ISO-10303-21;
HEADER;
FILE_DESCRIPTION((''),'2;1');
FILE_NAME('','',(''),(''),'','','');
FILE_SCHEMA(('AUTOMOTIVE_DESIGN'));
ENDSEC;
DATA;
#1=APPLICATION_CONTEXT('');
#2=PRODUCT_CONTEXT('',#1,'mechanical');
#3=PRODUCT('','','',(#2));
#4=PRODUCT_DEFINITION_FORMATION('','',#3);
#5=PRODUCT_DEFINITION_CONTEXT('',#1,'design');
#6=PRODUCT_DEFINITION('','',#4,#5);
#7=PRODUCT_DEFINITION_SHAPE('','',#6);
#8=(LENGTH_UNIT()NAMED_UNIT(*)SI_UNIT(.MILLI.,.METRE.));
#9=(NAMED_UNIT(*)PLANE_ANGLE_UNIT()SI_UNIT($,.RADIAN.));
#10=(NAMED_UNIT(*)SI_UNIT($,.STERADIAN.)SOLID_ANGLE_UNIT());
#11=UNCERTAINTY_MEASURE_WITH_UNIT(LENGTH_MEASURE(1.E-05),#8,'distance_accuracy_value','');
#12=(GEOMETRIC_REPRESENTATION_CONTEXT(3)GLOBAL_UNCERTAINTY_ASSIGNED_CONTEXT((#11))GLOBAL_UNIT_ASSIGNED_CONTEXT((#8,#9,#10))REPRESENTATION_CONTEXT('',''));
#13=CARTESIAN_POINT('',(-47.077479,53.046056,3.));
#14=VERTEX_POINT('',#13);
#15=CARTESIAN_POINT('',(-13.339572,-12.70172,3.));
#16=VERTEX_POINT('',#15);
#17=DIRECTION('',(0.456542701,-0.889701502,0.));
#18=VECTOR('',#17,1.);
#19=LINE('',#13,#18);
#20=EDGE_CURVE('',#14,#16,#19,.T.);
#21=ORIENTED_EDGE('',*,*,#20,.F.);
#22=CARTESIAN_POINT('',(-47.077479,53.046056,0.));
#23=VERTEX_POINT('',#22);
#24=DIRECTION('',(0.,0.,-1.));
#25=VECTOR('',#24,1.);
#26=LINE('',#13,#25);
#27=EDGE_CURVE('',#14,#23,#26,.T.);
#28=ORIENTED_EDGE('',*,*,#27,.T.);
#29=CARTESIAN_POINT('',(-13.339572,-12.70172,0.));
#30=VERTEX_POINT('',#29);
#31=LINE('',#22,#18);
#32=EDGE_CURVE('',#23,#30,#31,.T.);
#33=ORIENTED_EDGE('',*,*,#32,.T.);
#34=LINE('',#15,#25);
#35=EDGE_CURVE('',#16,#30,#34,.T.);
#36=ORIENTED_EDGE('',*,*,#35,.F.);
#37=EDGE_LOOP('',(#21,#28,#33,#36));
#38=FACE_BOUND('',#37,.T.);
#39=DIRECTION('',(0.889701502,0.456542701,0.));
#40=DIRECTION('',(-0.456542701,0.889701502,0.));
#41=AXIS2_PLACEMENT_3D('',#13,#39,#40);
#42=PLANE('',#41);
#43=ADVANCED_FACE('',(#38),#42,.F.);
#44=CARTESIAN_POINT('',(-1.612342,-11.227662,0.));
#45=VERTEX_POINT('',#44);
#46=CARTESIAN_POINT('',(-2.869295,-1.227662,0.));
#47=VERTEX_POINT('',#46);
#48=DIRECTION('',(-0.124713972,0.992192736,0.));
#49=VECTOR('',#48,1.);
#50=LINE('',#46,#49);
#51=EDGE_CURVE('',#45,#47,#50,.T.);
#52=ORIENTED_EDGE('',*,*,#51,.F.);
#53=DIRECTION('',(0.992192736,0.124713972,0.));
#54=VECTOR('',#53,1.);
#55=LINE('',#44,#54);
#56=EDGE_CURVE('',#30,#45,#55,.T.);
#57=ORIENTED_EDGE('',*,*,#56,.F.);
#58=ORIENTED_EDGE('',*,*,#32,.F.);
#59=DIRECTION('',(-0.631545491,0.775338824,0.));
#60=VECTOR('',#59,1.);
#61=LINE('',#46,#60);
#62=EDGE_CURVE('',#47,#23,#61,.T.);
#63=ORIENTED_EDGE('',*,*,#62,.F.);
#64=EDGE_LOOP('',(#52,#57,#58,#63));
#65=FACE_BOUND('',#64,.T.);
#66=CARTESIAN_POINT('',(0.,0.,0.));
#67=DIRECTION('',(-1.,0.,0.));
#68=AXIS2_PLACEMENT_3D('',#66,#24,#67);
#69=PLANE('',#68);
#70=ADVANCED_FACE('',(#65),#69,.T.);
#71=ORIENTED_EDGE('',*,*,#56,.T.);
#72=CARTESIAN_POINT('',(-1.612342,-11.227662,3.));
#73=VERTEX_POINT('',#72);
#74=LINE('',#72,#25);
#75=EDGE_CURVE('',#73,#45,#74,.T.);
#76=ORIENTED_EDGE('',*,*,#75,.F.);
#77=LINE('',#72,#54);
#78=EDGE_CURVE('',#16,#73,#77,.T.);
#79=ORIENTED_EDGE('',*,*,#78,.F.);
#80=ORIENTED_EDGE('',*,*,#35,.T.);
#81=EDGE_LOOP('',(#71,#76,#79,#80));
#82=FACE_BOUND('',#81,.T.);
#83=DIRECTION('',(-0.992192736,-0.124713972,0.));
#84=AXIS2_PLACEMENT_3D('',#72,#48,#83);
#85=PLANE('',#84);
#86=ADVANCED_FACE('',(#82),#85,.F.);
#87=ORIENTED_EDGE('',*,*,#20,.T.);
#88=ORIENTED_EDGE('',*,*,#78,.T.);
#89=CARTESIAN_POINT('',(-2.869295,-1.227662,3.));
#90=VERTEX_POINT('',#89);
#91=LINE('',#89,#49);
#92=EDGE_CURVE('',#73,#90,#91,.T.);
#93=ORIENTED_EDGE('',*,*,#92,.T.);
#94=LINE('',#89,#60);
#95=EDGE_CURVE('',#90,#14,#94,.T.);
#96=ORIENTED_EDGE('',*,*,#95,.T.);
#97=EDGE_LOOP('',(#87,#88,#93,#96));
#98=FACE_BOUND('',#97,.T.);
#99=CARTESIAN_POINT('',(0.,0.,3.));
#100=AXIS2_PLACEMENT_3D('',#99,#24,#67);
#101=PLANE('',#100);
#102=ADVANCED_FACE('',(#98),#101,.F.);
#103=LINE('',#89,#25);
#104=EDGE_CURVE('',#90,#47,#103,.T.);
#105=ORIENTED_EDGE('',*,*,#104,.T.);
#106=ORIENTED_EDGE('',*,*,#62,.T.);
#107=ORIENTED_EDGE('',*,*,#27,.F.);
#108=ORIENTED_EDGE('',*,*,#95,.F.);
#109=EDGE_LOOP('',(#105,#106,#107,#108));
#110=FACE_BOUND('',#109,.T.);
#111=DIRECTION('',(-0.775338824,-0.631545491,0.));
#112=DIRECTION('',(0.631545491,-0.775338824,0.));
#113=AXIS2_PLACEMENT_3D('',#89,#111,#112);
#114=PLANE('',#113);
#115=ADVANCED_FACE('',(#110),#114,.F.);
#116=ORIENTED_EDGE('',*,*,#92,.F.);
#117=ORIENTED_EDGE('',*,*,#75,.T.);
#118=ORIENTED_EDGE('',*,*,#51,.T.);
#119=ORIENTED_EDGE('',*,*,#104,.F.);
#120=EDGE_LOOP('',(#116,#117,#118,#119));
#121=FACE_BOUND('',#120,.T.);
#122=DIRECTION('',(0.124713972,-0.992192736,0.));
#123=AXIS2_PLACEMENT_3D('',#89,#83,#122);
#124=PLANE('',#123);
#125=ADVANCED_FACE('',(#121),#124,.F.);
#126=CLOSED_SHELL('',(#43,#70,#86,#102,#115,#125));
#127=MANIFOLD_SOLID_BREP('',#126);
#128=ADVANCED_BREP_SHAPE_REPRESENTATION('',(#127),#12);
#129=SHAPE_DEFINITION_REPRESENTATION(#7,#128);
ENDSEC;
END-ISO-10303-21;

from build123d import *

# Parameters (mm, degrees)
BOSS_EXTRU_1_DEPTH = 3


with BuildPart() as part:
    # Esquisse1 → Boss.-Extru.1 (new body)
    with BuildSketch(Plane.XY):
        Polygon((-2.86929474, -1.227661982), (-47.077479113, 53.046055732), (-13.339571579, -12.701719764), (-1.612341656, -11.227661982), align=None)
    extrude(amount=BOSS_EXTRU_1_DEPTH)


solid = part.part
